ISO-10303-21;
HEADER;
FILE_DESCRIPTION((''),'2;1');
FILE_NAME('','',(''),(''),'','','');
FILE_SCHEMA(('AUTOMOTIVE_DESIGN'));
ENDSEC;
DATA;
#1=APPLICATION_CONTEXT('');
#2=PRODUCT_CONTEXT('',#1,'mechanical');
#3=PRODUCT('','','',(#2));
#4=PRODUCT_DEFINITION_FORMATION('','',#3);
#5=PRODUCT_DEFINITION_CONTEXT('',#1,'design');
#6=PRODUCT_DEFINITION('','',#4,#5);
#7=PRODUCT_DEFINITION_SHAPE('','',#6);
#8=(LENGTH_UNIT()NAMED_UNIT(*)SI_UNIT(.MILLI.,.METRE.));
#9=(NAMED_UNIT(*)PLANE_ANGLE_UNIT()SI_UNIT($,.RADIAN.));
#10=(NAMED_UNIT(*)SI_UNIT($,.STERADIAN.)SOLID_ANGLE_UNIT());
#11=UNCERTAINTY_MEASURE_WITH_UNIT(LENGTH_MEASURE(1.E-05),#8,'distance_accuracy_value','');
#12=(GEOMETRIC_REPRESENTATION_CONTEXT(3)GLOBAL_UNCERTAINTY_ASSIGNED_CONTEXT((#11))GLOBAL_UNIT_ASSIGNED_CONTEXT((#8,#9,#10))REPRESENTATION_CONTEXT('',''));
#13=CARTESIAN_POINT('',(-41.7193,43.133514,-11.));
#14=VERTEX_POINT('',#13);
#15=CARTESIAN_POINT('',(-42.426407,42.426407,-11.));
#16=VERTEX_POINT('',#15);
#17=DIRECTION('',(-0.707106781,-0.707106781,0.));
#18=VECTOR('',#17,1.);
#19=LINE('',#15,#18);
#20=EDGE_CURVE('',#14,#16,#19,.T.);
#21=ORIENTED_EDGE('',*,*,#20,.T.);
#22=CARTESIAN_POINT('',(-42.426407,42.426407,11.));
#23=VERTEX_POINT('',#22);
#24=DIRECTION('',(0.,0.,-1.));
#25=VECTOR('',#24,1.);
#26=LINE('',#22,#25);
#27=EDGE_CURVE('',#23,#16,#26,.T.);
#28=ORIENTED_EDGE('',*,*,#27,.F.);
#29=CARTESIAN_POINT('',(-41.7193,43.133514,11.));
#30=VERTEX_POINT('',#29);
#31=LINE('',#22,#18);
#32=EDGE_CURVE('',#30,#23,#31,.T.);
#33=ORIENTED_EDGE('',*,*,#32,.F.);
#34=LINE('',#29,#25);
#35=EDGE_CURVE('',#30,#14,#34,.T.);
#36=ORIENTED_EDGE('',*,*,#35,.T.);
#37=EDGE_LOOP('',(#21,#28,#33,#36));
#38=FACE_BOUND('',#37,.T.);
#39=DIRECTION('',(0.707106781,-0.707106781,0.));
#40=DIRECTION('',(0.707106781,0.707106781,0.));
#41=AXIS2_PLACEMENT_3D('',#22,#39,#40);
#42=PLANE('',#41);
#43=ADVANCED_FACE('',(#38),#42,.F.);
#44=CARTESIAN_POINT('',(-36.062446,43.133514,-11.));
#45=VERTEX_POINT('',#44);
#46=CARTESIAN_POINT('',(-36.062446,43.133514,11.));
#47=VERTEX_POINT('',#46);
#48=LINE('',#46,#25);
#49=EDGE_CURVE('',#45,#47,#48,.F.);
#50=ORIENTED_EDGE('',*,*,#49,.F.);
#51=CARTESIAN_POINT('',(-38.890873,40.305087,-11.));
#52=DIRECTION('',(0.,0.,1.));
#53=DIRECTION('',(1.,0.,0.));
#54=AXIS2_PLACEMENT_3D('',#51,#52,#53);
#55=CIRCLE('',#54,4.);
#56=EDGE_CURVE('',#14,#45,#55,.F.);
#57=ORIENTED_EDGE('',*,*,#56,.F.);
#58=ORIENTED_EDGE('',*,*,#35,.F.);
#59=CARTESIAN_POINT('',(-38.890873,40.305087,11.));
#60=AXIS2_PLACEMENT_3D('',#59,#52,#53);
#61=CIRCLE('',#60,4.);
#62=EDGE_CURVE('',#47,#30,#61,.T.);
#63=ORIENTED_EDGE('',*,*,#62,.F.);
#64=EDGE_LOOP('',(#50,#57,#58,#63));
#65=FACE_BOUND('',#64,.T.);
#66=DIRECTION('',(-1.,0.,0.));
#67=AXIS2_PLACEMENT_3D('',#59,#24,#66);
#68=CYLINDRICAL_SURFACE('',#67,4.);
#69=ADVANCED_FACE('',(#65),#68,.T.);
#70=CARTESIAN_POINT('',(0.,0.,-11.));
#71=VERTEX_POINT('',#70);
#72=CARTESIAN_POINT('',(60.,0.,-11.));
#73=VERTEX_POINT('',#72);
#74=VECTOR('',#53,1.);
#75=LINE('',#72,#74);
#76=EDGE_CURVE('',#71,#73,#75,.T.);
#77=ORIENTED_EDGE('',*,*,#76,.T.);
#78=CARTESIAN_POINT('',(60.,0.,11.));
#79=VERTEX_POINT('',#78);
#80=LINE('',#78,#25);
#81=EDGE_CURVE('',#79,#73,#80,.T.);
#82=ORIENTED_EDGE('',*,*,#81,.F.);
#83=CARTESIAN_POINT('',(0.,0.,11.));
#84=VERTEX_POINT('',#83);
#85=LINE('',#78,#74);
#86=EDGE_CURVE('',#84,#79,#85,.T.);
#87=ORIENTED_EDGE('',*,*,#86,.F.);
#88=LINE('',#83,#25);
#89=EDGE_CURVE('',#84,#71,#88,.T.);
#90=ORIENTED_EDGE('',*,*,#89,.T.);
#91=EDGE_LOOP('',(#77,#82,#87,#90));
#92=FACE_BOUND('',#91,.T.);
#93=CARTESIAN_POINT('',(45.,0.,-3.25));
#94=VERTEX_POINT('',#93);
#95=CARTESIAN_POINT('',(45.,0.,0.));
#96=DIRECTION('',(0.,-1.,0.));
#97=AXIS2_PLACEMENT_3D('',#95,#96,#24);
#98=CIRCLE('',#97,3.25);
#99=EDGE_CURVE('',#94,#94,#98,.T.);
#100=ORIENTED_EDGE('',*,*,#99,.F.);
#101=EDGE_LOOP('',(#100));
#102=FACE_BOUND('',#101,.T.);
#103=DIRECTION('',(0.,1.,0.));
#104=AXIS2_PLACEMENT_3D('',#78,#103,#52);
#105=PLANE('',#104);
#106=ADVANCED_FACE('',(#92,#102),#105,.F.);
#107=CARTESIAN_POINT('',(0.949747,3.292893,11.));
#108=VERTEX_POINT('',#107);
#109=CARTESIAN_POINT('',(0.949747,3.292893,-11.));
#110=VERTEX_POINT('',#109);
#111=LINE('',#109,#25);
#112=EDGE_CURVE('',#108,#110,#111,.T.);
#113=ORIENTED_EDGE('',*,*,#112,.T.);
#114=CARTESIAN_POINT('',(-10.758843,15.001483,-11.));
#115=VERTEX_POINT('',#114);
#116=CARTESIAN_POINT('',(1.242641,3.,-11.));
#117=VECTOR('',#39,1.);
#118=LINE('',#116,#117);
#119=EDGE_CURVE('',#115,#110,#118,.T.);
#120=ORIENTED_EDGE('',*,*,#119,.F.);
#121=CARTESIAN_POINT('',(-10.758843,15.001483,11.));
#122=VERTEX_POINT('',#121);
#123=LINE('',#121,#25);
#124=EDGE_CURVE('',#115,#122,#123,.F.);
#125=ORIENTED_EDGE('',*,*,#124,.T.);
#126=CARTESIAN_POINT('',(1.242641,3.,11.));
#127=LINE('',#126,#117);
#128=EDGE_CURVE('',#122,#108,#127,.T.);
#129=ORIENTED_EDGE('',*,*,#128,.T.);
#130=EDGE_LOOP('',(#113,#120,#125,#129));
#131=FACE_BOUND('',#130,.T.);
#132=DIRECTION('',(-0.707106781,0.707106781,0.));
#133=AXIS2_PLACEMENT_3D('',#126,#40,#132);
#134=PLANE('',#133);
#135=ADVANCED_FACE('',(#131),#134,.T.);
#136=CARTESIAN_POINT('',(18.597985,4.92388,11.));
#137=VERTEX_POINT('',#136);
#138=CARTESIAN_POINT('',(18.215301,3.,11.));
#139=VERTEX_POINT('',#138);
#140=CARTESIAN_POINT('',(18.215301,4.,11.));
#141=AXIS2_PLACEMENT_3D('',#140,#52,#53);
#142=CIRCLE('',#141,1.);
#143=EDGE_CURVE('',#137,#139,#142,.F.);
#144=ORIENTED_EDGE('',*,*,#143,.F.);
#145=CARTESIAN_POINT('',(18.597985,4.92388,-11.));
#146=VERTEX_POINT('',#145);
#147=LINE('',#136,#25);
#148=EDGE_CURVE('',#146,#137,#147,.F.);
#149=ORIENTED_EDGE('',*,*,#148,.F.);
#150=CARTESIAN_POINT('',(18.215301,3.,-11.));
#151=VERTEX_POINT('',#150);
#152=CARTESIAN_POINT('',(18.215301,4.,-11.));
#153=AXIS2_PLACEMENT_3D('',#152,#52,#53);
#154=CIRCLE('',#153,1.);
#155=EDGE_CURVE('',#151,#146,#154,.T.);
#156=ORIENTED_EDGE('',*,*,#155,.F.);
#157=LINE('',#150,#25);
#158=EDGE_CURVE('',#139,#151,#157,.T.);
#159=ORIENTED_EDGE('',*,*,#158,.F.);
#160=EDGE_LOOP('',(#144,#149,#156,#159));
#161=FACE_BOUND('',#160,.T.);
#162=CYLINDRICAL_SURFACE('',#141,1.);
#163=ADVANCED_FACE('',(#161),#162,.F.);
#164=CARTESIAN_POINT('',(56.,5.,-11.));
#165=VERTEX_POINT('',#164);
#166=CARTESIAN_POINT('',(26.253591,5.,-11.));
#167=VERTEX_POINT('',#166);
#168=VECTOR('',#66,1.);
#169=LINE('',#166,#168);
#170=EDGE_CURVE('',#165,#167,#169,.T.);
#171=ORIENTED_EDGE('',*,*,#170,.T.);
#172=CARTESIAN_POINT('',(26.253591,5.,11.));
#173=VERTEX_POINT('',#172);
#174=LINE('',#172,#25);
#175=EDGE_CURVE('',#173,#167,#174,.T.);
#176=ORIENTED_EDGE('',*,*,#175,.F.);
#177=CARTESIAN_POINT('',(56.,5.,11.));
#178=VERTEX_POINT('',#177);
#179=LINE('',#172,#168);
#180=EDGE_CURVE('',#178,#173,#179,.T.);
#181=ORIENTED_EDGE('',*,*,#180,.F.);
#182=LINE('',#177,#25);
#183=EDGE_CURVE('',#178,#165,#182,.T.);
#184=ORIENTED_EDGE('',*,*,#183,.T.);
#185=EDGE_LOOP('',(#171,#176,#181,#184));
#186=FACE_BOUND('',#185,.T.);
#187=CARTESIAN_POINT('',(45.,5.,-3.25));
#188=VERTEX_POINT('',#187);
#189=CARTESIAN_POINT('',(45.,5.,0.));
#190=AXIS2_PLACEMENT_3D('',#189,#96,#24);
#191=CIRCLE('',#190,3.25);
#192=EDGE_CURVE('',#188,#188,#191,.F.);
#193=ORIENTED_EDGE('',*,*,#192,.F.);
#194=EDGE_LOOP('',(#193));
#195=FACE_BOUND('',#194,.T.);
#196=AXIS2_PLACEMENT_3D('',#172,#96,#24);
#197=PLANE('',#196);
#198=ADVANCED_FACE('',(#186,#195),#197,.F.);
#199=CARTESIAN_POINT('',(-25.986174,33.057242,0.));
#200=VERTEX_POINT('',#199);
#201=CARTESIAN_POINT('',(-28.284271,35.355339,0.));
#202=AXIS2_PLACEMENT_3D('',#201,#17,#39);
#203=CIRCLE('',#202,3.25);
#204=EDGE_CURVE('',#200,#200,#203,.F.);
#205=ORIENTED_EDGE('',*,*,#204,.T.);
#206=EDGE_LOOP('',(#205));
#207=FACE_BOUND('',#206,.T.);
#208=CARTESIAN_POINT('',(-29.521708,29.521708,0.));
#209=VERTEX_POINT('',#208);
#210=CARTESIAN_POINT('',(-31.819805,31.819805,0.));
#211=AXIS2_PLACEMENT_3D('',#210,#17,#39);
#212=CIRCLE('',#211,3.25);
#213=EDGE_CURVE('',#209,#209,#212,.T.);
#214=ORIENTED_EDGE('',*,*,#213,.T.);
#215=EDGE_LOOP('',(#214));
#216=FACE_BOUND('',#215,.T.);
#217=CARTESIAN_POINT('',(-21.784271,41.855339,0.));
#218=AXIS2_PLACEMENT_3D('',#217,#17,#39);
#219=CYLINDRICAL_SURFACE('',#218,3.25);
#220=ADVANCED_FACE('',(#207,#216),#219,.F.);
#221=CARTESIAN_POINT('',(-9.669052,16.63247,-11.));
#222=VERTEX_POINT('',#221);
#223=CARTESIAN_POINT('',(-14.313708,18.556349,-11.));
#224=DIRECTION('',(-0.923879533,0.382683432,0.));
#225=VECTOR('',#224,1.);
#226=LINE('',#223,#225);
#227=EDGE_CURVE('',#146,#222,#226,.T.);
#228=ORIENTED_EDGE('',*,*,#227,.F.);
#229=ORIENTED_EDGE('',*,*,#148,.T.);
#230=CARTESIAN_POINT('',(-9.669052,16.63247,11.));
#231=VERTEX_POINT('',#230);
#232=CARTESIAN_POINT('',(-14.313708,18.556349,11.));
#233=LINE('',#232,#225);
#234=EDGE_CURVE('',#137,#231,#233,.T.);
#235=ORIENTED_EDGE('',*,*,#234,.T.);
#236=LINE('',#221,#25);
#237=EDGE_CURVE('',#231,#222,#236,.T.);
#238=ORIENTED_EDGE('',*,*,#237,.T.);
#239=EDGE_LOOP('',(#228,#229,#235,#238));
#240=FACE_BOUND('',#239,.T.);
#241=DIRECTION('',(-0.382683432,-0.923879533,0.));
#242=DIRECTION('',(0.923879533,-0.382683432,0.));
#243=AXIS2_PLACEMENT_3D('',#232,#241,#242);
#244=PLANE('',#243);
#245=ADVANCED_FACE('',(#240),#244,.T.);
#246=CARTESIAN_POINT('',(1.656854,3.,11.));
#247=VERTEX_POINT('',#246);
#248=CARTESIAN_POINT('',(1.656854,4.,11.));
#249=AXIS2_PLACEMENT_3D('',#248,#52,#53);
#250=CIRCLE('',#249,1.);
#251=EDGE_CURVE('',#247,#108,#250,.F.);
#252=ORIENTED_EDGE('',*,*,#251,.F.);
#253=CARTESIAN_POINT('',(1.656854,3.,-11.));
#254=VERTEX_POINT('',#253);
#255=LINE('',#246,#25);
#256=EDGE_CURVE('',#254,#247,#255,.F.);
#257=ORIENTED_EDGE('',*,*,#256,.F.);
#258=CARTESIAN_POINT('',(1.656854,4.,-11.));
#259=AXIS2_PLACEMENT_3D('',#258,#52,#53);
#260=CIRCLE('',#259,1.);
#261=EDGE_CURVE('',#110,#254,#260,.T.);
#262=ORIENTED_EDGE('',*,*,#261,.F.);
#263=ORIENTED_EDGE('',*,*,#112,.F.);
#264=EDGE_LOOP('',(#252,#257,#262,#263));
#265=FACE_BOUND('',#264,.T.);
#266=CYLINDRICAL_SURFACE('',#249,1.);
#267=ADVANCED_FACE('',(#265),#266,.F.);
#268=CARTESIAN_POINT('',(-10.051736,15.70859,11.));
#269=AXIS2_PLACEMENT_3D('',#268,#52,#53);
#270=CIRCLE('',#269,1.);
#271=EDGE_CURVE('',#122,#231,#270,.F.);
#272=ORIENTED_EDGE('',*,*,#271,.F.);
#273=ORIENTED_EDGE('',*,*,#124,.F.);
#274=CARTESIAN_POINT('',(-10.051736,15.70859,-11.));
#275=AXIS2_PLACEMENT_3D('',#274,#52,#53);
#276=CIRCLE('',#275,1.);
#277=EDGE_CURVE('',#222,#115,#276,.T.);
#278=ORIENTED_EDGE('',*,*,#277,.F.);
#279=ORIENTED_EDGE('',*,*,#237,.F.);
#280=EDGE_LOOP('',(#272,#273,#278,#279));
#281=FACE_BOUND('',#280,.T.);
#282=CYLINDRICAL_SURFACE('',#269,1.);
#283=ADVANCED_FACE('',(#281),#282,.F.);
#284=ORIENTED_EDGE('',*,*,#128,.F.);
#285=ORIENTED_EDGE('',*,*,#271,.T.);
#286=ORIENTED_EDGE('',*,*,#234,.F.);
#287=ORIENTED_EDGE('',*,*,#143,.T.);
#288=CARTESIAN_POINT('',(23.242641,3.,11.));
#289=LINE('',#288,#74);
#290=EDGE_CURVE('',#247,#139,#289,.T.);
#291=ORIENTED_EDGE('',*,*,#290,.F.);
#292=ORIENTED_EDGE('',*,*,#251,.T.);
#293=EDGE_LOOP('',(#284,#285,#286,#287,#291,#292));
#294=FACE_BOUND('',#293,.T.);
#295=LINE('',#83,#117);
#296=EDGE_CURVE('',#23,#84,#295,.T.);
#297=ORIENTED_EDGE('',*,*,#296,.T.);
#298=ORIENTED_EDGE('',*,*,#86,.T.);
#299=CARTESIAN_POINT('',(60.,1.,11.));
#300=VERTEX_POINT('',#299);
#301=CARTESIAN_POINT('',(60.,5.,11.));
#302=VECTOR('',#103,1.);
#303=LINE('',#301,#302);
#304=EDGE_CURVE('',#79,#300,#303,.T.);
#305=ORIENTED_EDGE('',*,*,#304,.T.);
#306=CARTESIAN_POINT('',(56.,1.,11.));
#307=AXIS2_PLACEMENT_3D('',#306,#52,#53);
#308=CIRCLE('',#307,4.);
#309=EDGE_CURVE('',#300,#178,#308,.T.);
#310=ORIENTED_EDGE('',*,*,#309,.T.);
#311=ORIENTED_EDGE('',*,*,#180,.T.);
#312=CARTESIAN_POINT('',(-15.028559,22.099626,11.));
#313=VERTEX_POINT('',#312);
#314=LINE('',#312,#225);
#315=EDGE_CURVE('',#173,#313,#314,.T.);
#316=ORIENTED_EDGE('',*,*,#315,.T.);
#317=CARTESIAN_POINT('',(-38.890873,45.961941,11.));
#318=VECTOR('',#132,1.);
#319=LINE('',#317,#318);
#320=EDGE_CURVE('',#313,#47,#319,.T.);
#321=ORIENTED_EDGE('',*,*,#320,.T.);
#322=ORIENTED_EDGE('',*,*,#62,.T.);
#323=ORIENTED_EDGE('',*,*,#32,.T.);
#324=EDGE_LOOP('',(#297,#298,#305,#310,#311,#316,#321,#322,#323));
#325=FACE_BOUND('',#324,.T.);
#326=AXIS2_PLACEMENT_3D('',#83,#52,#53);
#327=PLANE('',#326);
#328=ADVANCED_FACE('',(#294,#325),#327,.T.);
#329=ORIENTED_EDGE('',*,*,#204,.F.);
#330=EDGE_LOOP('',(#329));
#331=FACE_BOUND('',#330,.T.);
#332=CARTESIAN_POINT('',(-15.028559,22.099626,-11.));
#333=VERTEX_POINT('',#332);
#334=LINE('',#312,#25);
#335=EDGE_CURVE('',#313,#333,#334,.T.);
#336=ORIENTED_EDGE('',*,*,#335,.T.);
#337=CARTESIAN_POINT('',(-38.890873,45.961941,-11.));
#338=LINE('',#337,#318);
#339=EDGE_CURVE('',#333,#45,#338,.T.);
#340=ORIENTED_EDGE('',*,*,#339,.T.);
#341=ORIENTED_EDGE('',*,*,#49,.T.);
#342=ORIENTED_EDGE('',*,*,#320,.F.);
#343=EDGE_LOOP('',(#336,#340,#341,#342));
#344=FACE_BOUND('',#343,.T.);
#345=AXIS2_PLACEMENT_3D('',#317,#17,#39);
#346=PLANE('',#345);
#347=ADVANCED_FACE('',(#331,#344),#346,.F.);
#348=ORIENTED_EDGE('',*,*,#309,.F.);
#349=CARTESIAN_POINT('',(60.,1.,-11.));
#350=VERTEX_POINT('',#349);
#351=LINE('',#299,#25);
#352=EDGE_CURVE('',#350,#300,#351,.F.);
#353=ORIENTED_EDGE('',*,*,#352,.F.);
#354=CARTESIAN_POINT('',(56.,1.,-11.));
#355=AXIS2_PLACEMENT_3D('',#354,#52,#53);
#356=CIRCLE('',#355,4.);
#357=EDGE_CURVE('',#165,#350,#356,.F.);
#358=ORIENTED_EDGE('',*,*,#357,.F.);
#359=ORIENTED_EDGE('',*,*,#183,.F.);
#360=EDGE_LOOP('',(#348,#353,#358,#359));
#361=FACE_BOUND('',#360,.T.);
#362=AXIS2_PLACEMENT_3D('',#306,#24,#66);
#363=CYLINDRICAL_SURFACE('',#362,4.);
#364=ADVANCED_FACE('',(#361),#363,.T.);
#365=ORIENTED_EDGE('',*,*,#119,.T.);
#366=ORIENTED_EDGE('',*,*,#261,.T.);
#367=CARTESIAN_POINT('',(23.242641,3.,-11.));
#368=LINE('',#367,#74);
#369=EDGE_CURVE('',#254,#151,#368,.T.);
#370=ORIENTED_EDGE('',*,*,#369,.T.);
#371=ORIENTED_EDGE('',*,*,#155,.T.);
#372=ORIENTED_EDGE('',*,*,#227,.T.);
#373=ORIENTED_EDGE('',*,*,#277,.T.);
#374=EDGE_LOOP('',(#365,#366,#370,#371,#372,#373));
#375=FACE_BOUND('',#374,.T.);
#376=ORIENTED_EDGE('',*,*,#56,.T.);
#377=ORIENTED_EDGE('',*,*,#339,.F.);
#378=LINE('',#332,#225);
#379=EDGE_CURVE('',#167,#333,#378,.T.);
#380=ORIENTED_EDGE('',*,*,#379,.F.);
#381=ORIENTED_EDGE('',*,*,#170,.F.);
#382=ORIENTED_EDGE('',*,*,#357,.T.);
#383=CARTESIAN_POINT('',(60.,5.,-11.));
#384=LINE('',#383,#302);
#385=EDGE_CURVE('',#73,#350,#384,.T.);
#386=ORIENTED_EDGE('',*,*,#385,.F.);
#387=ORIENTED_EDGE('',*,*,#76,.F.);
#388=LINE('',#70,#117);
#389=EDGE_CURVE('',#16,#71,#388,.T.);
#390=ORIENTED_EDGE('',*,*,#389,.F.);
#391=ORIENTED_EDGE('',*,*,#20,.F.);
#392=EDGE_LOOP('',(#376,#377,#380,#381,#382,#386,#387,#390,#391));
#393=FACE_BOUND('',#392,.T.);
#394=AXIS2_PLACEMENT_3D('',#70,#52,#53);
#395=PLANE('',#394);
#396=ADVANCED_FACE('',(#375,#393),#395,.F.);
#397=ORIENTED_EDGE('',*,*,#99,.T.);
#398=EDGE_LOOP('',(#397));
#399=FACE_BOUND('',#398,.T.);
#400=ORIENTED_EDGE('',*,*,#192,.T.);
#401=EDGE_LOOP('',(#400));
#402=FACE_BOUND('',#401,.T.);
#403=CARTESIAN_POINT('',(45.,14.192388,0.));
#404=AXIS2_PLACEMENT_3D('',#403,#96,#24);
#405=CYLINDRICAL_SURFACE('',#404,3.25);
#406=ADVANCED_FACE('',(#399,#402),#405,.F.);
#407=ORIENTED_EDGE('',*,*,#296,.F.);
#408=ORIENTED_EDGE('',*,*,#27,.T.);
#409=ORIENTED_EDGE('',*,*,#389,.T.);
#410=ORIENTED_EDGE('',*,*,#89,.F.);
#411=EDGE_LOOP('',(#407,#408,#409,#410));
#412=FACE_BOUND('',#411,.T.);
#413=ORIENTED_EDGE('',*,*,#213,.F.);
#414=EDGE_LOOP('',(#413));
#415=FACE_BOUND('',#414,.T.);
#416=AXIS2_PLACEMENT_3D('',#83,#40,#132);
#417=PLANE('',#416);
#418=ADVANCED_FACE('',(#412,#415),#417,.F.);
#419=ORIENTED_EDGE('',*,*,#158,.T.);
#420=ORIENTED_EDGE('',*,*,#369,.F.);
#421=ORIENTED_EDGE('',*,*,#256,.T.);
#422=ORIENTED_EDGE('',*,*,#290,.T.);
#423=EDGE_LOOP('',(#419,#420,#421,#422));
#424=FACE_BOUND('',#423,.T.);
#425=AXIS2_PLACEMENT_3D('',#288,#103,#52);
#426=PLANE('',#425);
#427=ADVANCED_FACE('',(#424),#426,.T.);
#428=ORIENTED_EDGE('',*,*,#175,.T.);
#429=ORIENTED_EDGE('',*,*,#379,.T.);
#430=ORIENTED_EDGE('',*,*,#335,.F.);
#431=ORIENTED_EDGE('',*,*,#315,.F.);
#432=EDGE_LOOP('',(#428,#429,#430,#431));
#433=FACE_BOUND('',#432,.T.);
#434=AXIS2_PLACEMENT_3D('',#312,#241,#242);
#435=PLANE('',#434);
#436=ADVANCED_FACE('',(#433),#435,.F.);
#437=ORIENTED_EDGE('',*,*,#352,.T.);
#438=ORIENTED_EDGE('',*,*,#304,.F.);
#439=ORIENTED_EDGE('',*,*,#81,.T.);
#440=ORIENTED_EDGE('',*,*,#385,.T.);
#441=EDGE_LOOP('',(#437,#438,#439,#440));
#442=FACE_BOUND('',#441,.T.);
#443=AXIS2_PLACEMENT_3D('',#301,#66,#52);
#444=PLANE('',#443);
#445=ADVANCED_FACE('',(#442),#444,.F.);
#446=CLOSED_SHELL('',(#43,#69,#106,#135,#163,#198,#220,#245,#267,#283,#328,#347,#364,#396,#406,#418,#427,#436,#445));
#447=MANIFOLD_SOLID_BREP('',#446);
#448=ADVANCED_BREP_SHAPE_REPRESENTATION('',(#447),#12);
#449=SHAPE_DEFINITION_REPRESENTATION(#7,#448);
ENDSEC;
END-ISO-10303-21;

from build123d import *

# Parameters (mm, degrees)
EXTRUDE_1_DEPTH     = 11
SKETCH_2_R          = 3.25
CUT_EXTRUDE_1_DEPTH = 5
SKETCH_3_R          = 3.25
CUT_EXTRUDE_2_DEPTH = 5
FILLET_1_R          = 4
FILLET_2_R          = 1


with BuildPart() as part:
    # Эскиз1 → Бобышка-Вытянуть1 (new body, symmetric)
    with BuildSketch(Plane.XY):
        Polygon((0, 0), (-42.426406871, 42.426406871), (-38.890872965, 45.961940777), (-15.028558569, 22.099626381), (26.253591352, 5), (60, 5), (60, 0), align=None)
        Polygon((-14.313708499, 18.556349186), (23.242640687, 3), (1.242640687, 3), align=None, mode=Mode.SUBTRACT)
    extrude(amount=EXTRUDE_1_DEPTH, both=True)

    # Эскиз2 → Вырез-Вытянуть1 (cut)
    with BuildSketch(Plane(origin=(0, 0, 0), x_dir=(0, 0, 1), z_dir=(-0.707106781, -0.707106781, 0))):
        with Locations(Location((0, 45, 0), (0, 0, 270))):  # turned: the seam where the file's is
            Circle(SKETCH_2_R)
    extrude(amount=-CUT_EXTRUDE_1_DEPTH, mode=Mode.SUBTRACT)

    # Эскиз3 → Вырез-Вытянуть2 (cut)
    with BuildSketch(Plane.XZ):
        with Locations(Location((45, 0, 0), (0, 0, 270))):  # turned: the seam where the file's is
            Circle(SKETCH_3_R)
    extrude(amount=-CUT_EXTRUDE_2_DEPTH, mode=Mode.SUBTRACT)

    # Скругление1
    fillet_1_edges = [part.edges().sort_by_distance(p)[0] for p in [
        (-38.890872965, 45.961940777, 0),
        (60, 5, 0),
    ]]
    fillet(fillet_1_edges, radius=FILLET_1_R)

    # Скругление2
    fillet_2_edges = [part.edges().sort_by_distance(p)[0] for p in [
        (-14.313708499, 18.556349186, 0),
        (1.242640687, 3, 0),
        (23.242640687, 3, 0),
    ]]
    fillet(fillet_2_edges, radius=FILLET_2_R)


solid = part.part
